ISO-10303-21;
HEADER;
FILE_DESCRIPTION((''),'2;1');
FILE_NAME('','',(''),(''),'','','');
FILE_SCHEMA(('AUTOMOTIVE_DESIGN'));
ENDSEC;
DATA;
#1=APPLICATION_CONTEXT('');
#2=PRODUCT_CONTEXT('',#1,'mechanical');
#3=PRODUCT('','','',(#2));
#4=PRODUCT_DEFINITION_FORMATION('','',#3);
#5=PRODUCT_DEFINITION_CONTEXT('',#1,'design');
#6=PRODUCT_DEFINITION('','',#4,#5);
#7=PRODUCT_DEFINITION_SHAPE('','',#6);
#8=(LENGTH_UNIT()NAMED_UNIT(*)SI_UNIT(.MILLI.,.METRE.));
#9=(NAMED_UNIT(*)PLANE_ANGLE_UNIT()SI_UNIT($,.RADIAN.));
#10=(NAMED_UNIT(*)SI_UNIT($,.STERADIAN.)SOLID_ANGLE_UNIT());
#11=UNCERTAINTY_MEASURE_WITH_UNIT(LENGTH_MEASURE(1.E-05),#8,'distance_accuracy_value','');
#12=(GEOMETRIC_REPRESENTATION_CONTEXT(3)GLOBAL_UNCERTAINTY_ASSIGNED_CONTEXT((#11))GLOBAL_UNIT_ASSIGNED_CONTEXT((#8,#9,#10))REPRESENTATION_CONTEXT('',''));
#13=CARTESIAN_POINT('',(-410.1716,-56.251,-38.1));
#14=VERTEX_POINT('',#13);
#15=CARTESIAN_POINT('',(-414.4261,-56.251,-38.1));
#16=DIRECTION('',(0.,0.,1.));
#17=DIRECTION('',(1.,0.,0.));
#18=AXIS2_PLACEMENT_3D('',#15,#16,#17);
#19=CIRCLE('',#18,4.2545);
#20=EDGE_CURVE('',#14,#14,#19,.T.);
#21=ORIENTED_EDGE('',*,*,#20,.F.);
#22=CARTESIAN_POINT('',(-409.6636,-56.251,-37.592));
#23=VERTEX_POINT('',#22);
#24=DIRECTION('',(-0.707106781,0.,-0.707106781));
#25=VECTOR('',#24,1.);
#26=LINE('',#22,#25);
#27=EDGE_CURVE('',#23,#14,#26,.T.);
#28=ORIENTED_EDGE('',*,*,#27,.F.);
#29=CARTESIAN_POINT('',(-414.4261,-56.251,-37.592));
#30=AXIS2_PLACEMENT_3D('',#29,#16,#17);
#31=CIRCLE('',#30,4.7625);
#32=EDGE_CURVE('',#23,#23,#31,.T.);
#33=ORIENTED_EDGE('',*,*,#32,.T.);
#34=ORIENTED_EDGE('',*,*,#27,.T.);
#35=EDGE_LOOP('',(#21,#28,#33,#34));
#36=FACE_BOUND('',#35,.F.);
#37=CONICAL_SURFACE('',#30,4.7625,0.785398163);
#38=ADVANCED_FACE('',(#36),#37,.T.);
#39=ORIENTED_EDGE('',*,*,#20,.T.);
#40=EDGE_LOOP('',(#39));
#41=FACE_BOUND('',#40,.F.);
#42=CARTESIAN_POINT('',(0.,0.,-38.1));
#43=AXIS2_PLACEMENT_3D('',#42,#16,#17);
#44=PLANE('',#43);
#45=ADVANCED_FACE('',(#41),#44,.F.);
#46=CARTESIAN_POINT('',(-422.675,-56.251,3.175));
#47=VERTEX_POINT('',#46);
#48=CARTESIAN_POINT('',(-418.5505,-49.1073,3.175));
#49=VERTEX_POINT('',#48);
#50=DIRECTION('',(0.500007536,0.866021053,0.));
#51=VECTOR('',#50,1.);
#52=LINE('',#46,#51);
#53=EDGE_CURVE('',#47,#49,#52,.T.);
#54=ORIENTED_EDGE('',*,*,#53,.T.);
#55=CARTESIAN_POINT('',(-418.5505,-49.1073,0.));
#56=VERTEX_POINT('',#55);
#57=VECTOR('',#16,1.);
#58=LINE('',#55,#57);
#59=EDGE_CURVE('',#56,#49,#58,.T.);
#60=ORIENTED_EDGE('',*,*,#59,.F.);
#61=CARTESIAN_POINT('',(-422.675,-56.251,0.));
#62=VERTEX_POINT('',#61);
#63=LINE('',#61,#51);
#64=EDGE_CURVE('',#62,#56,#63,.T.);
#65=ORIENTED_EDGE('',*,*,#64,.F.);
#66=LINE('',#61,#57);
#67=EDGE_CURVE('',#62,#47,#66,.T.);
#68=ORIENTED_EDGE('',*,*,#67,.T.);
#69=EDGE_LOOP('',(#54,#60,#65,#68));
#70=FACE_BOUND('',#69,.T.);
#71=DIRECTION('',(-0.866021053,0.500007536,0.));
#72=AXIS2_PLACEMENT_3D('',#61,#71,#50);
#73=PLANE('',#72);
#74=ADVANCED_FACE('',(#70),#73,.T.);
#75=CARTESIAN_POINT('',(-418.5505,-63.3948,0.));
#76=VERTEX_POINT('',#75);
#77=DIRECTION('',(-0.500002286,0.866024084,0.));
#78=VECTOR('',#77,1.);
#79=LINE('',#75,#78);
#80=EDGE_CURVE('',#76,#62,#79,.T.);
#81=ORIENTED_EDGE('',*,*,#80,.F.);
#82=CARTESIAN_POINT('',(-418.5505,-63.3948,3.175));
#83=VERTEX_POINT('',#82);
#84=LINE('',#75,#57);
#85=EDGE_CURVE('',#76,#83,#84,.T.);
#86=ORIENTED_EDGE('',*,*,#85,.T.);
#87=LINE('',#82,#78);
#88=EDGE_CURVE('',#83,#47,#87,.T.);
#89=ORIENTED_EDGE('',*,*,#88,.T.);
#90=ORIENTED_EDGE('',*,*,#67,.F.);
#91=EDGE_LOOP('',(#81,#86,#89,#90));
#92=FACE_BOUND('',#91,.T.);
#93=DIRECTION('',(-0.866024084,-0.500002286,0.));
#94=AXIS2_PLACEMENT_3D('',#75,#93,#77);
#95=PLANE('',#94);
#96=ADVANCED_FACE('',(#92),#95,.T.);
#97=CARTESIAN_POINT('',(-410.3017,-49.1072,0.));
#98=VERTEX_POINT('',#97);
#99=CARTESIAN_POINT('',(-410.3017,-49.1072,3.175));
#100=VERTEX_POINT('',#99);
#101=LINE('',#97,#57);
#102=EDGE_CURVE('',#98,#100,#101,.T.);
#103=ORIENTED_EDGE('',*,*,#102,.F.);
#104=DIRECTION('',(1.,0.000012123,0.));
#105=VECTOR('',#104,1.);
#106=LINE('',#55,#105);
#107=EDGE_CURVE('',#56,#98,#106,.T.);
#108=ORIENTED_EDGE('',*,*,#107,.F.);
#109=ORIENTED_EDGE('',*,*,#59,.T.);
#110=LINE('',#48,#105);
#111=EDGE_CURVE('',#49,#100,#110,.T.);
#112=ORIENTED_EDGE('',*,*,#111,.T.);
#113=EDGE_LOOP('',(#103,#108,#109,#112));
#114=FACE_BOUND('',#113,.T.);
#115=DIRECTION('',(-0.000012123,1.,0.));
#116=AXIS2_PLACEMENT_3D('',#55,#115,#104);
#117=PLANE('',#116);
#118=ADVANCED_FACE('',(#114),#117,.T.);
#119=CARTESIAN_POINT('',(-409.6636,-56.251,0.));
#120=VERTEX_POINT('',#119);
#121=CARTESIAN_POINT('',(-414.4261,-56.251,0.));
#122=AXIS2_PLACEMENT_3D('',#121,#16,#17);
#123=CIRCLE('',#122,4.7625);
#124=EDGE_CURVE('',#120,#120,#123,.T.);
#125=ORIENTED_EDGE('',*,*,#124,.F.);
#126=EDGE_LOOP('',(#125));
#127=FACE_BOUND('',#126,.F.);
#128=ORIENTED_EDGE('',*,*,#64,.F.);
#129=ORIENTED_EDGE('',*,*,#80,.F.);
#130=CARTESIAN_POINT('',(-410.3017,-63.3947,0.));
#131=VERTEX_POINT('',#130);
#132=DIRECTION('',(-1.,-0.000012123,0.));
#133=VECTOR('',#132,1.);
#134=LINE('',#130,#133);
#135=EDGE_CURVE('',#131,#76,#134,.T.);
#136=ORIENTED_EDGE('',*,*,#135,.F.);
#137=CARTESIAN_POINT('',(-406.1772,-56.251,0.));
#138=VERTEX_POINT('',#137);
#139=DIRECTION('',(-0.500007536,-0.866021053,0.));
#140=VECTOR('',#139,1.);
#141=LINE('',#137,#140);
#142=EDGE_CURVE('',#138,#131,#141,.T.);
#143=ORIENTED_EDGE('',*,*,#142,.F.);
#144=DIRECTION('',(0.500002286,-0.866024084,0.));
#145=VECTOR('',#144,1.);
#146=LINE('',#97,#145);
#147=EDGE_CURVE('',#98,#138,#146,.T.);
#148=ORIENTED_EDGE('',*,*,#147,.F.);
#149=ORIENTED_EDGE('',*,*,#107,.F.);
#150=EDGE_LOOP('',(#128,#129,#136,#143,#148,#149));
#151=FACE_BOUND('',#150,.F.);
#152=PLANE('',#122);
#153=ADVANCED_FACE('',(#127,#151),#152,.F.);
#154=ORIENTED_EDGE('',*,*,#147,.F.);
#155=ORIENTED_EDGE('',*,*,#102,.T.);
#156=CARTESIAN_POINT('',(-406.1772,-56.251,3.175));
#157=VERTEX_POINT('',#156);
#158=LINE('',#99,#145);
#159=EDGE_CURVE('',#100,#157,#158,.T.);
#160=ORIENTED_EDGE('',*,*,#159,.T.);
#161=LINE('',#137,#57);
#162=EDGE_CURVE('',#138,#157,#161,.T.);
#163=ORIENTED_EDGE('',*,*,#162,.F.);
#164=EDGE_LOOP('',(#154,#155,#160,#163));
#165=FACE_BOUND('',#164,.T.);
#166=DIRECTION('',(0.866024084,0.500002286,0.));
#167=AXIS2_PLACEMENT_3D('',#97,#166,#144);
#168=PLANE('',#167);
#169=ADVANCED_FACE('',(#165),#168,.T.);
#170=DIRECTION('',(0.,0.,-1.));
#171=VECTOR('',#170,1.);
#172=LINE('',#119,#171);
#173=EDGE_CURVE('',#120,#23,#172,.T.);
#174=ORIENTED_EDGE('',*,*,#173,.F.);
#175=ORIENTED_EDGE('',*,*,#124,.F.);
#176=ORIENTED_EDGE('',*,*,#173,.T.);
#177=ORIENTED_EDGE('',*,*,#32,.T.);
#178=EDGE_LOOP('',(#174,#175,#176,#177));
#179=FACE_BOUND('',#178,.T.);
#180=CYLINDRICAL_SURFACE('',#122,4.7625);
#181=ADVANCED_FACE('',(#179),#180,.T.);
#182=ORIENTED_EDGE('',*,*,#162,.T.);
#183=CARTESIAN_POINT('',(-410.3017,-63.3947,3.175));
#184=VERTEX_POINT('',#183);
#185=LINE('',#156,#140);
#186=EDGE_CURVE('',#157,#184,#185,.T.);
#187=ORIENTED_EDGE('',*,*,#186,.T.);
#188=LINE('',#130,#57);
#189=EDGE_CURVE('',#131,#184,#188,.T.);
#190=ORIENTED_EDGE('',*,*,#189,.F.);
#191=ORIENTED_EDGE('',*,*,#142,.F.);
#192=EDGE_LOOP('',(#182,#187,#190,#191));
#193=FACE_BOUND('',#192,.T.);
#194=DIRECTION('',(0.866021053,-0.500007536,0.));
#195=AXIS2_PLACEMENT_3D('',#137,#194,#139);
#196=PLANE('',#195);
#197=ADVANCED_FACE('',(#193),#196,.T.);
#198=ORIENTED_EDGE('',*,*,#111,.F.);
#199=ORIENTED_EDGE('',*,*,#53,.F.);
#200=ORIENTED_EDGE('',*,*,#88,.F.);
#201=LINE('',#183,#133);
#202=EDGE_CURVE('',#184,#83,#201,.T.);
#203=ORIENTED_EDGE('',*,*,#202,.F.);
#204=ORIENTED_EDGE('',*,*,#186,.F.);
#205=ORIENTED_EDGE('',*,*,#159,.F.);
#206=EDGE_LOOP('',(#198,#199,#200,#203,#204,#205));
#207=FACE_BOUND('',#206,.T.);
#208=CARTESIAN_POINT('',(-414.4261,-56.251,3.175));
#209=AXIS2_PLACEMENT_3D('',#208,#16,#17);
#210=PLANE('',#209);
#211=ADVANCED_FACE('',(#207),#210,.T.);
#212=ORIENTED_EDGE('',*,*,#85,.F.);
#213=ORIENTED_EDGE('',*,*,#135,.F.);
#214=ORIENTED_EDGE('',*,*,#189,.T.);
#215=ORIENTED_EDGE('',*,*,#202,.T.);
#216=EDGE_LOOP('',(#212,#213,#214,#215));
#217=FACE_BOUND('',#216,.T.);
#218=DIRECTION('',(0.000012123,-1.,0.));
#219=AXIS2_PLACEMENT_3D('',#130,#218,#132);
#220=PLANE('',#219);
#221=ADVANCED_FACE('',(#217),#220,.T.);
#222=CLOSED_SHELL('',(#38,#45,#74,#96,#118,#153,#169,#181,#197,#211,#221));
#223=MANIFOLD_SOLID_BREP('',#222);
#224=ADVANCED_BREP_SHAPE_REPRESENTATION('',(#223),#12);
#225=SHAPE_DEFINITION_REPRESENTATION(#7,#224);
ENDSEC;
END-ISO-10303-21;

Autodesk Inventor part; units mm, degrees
ref_plane "YZ Plane" through (0, 0, 0) normal (1, 0, 0) x (0, 1, 0)
ref_plane "XZ Plane" through (0, 0, 0) normal (0, 1, 0) x (-1, 0, 0)
ref_plane "XY Plane" through (0, 0, 0) normal (0, 0, 1) x (1, 0, 0)
sketch "Sketch1" plane through (0, 0, 0) normal (0, 0, 1) x (1, 0, 0)
  circle A0 centre (-414.4261, -56.251) radius 4.7625
  point P0 (0, 0)
  dimension "d0" = 9.525
extrude "Extrusion1" add sketch "Sketch1" against normal blind 38.1
sketch "Sketch2" plane through (-414.4261, -56.251, 0) normal (0, 0, 1) x (1, 0, 0)
  circle A0 centre (0, 0) radius 4.7625 projected
  line L0 (-8.2489, 0) -> (-4.1244, 7.1437)
  line L1 (-4.1244, 7.1437) -> (4.1244, 7.1438)
  line L2 (4.1244, 7.1438) -> (8.2489, 0)
  line L3 (8.2489, 0) -> (4.1244, -7.1437)
  line L4 (4.1244, -7.1437) -> (-4.1244, -7.1438)
  line L5 (-4.1244, -7.1438) -> (-8.2489, 0)
  point P0 (414.4261, 56.251)
  dimension "d3" = 14.2875
extrude "Extrusion2" add sketch "Sketch2" along normal blind 3.175 contours A0 | L0 L1 L2 L3 L4 L5
thread "Thread1" size "3/8-16 UNC" class "2A" standard "ANSI Unified Screw Threads" length 25.4
chamfer "Chamfer1" distance 0.508 angle 45 1 edges at (-419.1886, -56.251, -38.1)
properties part number "375 bolt x4" material "Steel"
